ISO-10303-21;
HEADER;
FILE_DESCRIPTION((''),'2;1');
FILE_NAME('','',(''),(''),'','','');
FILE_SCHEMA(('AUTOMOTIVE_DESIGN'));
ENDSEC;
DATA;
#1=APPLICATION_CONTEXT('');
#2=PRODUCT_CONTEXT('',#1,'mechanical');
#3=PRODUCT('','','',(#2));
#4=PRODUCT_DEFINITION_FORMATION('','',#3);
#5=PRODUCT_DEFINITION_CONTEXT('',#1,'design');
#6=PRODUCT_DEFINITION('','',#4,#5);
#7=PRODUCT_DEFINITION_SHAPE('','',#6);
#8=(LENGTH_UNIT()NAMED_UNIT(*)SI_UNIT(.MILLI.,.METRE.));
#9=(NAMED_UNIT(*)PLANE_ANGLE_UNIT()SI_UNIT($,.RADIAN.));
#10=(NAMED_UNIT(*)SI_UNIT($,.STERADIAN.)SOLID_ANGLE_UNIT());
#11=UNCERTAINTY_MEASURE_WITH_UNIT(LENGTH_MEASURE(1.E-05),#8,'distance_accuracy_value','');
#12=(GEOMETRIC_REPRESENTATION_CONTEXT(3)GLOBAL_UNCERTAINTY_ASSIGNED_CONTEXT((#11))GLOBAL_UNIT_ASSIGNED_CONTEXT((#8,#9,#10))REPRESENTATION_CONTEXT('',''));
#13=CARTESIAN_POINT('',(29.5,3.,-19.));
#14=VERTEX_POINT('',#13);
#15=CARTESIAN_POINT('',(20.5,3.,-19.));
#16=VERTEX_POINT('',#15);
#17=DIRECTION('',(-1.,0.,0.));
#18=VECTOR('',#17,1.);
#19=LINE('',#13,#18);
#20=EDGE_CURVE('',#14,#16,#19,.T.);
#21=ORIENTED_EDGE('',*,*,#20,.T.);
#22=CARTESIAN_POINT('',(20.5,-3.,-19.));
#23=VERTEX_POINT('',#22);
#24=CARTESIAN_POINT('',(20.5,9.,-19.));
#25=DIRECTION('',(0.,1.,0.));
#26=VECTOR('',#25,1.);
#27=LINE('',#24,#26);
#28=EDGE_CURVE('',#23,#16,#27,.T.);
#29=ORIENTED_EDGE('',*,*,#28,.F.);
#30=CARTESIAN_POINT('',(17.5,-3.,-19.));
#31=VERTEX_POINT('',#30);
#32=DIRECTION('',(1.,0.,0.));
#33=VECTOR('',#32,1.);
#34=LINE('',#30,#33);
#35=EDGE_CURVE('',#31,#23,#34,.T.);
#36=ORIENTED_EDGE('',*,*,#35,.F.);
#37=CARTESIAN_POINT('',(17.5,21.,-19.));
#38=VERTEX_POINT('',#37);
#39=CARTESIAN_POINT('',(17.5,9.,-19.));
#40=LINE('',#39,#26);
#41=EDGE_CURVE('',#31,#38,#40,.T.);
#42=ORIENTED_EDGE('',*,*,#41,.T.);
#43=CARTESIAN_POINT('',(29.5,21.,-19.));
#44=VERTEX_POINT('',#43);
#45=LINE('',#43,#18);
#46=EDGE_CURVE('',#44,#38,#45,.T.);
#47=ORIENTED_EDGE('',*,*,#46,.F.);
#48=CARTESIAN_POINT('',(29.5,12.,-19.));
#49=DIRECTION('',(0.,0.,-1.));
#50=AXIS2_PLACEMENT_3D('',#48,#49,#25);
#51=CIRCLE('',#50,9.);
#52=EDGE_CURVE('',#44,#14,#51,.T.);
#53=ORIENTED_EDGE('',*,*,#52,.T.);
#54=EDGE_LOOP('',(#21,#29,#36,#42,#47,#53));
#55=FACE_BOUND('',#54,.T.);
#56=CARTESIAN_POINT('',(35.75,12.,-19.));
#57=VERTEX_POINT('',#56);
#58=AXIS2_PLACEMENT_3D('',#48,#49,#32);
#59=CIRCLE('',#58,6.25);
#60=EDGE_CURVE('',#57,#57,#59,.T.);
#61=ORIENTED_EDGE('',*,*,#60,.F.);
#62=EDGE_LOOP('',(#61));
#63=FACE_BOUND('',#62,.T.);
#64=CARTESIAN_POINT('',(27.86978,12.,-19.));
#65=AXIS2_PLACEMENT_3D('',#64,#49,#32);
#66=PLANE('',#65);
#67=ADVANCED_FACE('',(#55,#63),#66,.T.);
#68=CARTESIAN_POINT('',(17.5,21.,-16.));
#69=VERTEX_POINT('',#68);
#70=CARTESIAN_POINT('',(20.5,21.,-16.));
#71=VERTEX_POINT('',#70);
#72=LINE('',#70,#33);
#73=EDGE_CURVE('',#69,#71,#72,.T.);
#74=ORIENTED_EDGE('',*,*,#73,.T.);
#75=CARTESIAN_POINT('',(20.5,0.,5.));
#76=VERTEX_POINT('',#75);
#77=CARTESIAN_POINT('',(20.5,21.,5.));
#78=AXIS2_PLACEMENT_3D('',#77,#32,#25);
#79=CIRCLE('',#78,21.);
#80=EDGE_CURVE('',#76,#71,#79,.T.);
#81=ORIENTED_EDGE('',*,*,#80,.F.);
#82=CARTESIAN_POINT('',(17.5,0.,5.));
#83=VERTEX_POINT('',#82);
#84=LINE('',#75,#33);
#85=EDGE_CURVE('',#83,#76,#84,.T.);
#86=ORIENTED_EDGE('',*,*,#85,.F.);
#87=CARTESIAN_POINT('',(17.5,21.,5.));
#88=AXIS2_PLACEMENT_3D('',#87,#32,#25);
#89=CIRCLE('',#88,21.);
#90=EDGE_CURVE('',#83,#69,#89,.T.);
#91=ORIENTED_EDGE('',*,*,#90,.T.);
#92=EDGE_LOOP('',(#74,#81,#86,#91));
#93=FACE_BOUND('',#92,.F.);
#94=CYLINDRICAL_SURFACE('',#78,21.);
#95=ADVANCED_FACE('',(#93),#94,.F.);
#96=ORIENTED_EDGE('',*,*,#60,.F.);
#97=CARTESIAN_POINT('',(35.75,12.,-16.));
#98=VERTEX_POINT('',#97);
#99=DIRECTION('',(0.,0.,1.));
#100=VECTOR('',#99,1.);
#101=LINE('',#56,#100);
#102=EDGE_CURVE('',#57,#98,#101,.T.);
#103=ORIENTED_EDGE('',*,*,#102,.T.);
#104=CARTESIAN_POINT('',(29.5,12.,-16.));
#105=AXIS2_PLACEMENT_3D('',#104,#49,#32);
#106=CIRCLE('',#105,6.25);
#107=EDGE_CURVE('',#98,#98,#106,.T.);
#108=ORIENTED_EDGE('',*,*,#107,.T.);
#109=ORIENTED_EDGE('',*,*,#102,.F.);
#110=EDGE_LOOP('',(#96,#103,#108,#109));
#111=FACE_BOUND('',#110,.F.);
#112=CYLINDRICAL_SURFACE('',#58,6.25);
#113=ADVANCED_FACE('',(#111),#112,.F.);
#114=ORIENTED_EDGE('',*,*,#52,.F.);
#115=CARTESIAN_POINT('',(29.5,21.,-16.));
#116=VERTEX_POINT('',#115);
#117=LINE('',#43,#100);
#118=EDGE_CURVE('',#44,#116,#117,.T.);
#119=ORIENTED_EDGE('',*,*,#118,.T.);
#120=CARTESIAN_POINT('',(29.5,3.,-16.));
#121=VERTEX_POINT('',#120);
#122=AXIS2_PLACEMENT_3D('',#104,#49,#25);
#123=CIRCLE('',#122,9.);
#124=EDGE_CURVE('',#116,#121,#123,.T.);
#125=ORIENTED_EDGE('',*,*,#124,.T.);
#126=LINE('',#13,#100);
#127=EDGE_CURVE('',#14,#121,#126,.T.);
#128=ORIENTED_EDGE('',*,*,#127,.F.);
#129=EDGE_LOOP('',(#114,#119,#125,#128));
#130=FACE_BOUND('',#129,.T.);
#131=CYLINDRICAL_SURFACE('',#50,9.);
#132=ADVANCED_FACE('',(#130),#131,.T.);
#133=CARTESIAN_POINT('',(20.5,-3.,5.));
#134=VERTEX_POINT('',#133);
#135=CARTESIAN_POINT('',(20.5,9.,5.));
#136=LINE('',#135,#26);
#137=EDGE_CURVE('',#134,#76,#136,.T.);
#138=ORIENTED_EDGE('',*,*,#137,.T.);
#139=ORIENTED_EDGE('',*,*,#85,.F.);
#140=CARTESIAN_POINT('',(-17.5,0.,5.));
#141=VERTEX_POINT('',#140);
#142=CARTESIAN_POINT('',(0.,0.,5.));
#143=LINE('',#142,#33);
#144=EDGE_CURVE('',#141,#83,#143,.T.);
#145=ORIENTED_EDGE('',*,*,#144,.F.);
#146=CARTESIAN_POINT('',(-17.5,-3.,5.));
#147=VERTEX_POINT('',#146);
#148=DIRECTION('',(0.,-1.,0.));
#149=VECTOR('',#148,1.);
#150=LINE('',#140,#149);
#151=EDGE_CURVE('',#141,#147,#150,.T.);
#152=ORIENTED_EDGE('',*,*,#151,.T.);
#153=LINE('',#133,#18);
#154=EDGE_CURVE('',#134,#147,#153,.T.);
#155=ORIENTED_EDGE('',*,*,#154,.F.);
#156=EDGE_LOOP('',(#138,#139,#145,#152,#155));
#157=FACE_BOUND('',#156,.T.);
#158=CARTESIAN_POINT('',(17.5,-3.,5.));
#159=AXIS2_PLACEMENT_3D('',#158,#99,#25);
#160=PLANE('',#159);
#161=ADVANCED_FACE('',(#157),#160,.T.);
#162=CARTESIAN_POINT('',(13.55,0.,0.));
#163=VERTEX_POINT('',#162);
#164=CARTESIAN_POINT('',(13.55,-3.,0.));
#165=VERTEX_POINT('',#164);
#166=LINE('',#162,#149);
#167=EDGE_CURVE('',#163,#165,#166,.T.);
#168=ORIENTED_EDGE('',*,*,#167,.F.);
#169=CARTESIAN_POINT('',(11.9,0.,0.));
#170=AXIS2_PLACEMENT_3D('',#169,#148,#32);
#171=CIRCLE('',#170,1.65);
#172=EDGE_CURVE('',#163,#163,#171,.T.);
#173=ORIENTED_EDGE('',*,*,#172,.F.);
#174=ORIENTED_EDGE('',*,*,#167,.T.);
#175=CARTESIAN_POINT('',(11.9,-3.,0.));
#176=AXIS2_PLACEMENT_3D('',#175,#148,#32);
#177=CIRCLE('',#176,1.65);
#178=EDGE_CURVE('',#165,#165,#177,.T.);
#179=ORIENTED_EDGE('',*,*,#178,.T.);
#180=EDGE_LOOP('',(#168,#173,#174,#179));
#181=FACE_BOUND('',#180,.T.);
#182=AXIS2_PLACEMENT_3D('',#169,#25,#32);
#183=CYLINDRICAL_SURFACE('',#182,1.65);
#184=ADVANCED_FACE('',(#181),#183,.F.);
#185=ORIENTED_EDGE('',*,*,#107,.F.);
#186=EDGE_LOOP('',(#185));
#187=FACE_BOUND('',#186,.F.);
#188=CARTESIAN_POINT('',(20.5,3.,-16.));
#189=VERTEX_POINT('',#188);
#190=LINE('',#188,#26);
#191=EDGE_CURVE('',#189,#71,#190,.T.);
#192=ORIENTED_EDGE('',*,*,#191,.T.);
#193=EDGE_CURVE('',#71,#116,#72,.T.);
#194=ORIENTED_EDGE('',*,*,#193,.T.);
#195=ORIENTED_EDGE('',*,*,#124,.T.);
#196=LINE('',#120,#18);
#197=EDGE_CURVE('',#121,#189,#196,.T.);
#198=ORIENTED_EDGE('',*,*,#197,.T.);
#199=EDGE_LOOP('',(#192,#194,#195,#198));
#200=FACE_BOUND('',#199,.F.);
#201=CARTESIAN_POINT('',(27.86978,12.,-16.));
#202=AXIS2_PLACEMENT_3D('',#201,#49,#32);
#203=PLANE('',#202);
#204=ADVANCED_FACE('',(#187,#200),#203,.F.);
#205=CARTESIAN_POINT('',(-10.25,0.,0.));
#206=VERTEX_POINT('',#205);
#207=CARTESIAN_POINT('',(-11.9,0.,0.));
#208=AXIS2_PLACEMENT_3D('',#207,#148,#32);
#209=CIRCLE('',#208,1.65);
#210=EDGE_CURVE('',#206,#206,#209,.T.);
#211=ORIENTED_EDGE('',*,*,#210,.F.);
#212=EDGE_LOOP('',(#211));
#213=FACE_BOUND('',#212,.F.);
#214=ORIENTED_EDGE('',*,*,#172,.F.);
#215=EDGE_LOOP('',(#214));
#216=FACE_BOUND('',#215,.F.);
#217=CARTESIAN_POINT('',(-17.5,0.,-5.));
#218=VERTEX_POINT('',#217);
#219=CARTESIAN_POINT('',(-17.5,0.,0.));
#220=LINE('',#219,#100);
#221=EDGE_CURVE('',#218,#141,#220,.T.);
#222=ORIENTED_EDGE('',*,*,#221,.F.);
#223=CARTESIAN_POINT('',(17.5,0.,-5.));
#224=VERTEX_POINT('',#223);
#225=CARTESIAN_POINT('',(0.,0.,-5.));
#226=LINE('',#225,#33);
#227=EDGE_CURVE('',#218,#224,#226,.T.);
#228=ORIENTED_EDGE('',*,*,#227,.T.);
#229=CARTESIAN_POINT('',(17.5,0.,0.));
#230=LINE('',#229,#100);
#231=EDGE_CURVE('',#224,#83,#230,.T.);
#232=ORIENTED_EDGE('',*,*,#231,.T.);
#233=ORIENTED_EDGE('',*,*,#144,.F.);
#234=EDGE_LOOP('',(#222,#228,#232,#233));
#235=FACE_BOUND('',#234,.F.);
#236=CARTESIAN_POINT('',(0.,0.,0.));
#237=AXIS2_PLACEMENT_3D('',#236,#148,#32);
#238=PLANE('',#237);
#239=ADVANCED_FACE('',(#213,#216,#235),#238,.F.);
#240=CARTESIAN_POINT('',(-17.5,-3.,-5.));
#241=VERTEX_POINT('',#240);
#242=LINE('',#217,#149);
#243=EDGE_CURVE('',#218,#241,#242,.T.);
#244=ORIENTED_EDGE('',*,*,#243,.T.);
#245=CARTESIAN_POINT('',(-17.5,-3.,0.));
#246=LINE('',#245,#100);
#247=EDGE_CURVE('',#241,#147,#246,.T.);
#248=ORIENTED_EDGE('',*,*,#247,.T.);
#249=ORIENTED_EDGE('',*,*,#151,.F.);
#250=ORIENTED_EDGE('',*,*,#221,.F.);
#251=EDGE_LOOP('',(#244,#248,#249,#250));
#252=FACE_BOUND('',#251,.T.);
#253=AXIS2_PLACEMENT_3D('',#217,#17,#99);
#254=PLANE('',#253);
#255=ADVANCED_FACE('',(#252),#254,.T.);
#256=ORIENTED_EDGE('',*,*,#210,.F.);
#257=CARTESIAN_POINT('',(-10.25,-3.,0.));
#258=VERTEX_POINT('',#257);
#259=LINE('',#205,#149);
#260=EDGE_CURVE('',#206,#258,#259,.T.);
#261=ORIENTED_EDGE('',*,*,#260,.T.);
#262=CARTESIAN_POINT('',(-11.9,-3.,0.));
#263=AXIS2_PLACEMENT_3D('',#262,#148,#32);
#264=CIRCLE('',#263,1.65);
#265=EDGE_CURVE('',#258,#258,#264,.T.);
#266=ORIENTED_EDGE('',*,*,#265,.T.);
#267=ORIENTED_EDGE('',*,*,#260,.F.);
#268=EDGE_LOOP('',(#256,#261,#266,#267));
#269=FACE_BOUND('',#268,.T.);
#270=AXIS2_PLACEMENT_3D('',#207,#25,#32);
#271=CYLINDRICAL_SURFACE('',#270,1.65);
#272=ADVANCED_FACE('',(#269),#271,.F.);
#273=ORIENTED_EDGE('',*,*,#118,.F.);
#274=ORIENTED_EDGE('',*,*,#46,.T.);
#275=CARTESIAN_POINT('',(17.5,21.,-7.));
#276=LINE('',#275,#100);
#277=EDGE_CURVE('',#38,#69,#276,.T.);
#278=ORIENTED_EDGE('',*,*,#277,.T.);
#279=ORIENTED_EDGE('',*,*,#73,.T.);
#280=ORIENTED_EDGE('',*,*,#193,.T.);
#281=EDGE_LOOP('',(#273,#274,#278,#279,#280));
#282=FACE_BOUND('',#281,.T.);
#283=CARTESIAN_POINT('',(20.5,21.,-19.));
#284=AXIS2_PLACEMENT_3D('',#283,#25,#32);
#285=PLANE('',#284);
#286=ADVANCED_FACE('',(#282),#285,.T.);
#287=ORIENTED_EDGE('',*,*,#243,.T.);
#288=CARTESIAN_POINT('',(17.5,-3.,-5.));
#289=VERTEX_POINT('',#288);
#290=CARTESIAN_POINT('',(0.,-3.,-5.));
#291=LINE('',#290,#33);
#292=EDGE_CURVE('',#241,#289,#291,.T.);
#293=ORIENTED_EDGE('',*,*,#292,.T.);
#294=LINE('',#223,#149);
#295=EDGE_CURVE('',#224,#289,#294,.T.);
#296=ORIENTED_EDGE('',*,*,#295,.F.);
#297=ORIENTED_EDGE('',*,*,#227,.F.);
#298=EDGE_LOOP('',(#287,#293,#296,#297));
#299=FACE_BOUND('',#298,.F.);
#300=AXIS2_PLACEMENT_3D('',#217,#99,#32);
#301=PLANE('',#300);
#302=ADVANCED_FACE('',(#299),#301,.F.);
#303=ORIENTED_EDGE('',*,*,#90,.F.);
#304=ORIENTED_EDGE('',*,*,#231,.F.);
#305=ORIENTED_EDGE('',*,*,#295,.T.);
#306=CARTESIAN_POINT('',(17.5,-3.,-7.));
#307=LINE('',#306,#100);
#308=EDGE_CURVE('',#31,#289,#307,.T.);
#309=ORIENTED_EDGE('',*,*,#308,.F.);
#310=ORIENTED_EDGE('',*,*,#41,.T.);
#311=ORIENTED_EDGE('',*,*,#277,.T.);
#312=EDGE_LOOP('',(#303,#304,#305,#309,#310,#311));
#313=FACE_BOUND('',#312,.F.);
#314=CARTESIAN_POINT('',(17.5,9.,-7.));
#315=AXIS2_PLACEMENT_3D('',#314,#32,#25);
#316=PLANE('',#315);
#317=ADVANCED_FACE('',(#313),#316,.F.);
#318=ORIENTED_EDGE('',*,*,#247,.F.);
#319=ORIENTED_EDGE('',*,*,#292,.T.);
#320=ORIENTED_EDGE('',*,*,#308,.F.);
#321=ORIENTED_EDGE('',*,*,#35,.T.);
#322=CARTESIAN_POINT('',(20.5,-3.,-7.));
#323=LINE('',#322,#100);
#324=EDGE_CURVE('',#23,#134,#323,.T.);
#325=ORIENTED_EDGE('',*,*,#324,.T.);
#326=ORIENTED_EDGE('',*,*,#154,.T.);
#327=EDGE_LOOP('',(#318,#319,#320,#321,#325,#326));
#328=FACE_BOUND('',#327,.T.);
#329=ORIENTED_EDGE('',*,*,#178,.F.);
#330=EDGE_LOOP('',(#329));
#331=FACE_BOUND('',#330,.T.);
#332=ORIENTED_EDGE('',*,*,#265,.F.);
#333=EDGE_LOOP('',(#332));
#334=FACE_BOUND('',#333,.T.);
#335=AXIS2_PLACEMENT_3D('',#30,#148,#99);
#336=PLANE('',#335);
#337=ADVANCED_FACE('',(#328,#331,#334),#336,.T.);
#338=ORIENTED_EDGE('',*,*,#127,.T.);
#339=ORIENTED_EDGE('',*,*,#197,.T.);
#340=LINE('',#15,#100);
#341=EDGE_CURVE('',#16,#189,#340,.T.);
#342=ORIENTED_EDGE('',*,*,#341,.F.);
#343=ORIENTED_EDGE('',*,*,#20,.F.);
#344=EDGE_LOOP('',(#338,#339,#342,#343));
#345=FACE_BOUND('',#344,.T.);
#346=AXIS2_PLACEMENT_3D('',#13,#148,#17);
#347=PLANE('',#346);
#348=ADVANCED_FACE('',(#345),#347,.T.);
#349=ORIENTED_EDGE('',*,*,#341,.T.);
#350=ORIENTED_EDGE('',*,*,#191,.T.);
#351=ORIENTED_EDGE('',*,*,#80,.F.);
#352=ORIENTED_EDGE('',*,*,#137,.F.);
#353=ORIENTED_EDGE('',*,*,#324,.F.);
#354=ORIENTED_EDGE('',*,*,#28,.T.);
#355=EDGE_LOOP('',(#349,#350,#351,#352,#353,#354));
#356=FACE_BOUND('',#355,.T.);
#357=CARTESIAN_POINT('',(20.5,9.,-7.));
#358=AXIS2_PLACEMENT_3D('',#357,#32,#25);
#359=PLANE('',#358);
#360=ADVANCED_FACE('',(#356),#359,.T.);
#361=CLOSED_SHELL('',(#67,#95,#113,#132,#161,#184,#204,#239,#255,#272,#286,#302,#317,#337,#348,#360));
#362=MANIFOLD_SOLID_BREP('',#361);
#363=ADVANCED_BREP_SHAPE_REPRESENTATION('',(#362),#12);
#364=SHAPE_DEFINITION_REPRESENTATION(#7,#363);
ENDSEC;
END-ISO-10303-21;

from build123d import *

# Parameters (mm, degrees)
F0_W     = 35
F0_H     = 10
F0_R     = 1.65
F1_DEPTH = 3
F2_W     = 24
F2_H     = 24
F3_DEPTH = 3
F4_R     = 6.25
F5_DEPTH = 3
F6_R     = 21
F7_DEPTH = 3


with BuildPart() as f1:
    # F0 (on Front) → F1 (new body)
    with BuildSketch(Plane.XZ):
        Rectangle(F0_W, F0_H)
        with Locations((-11.9, 0)):
            Circle(F0_R, mode=Mode.SUBTRACT)
        with Locations((11.9, 0)):
            Circle(F0_R, mode=Mode.SUBTRACT)
    extrude(amount=F1_DEPTH)

    # F2 (on face) → F3 (join)
    with BuildSketch(Plane.YZ.offset(17.5)):
        with Locations((9, -7)):
            Rectangle(F2_W, F2_H)
    extrude(amount=F3_DEPTH)

    # F4 (on face) → F5 (join)
    with BuildSketch(Plane(origin=(0, 0, -19), x_dir=(1, 0, 0), z_dir=(0, 0, -1))):
        with BuildLine():
            Line((20.5, -21), (29.5, -21))
            ThreePointArc((29.5, -21), (38.5, -12), (29.5, -3))
            Line((29.5, -3), (20.5, -3))
            Line((20.5, -3), (20.5, -21))
        make_face()
        with Locations((29.5, -12)):
            Circle(F4_R, mode=Mode.SUBTRACT)
    extrude(amount=-F5_DEPTH)

    # F6 (on face) → F7 (cut)
    with BuildSketch(Plane.YZ.offset(20.5)):
        with Locations((21, 5)):
            Circle(F6_R)
    extrude(amount=-F7_DEPTH, mode=Mode.SUBTRACT)


solid = f1.part
